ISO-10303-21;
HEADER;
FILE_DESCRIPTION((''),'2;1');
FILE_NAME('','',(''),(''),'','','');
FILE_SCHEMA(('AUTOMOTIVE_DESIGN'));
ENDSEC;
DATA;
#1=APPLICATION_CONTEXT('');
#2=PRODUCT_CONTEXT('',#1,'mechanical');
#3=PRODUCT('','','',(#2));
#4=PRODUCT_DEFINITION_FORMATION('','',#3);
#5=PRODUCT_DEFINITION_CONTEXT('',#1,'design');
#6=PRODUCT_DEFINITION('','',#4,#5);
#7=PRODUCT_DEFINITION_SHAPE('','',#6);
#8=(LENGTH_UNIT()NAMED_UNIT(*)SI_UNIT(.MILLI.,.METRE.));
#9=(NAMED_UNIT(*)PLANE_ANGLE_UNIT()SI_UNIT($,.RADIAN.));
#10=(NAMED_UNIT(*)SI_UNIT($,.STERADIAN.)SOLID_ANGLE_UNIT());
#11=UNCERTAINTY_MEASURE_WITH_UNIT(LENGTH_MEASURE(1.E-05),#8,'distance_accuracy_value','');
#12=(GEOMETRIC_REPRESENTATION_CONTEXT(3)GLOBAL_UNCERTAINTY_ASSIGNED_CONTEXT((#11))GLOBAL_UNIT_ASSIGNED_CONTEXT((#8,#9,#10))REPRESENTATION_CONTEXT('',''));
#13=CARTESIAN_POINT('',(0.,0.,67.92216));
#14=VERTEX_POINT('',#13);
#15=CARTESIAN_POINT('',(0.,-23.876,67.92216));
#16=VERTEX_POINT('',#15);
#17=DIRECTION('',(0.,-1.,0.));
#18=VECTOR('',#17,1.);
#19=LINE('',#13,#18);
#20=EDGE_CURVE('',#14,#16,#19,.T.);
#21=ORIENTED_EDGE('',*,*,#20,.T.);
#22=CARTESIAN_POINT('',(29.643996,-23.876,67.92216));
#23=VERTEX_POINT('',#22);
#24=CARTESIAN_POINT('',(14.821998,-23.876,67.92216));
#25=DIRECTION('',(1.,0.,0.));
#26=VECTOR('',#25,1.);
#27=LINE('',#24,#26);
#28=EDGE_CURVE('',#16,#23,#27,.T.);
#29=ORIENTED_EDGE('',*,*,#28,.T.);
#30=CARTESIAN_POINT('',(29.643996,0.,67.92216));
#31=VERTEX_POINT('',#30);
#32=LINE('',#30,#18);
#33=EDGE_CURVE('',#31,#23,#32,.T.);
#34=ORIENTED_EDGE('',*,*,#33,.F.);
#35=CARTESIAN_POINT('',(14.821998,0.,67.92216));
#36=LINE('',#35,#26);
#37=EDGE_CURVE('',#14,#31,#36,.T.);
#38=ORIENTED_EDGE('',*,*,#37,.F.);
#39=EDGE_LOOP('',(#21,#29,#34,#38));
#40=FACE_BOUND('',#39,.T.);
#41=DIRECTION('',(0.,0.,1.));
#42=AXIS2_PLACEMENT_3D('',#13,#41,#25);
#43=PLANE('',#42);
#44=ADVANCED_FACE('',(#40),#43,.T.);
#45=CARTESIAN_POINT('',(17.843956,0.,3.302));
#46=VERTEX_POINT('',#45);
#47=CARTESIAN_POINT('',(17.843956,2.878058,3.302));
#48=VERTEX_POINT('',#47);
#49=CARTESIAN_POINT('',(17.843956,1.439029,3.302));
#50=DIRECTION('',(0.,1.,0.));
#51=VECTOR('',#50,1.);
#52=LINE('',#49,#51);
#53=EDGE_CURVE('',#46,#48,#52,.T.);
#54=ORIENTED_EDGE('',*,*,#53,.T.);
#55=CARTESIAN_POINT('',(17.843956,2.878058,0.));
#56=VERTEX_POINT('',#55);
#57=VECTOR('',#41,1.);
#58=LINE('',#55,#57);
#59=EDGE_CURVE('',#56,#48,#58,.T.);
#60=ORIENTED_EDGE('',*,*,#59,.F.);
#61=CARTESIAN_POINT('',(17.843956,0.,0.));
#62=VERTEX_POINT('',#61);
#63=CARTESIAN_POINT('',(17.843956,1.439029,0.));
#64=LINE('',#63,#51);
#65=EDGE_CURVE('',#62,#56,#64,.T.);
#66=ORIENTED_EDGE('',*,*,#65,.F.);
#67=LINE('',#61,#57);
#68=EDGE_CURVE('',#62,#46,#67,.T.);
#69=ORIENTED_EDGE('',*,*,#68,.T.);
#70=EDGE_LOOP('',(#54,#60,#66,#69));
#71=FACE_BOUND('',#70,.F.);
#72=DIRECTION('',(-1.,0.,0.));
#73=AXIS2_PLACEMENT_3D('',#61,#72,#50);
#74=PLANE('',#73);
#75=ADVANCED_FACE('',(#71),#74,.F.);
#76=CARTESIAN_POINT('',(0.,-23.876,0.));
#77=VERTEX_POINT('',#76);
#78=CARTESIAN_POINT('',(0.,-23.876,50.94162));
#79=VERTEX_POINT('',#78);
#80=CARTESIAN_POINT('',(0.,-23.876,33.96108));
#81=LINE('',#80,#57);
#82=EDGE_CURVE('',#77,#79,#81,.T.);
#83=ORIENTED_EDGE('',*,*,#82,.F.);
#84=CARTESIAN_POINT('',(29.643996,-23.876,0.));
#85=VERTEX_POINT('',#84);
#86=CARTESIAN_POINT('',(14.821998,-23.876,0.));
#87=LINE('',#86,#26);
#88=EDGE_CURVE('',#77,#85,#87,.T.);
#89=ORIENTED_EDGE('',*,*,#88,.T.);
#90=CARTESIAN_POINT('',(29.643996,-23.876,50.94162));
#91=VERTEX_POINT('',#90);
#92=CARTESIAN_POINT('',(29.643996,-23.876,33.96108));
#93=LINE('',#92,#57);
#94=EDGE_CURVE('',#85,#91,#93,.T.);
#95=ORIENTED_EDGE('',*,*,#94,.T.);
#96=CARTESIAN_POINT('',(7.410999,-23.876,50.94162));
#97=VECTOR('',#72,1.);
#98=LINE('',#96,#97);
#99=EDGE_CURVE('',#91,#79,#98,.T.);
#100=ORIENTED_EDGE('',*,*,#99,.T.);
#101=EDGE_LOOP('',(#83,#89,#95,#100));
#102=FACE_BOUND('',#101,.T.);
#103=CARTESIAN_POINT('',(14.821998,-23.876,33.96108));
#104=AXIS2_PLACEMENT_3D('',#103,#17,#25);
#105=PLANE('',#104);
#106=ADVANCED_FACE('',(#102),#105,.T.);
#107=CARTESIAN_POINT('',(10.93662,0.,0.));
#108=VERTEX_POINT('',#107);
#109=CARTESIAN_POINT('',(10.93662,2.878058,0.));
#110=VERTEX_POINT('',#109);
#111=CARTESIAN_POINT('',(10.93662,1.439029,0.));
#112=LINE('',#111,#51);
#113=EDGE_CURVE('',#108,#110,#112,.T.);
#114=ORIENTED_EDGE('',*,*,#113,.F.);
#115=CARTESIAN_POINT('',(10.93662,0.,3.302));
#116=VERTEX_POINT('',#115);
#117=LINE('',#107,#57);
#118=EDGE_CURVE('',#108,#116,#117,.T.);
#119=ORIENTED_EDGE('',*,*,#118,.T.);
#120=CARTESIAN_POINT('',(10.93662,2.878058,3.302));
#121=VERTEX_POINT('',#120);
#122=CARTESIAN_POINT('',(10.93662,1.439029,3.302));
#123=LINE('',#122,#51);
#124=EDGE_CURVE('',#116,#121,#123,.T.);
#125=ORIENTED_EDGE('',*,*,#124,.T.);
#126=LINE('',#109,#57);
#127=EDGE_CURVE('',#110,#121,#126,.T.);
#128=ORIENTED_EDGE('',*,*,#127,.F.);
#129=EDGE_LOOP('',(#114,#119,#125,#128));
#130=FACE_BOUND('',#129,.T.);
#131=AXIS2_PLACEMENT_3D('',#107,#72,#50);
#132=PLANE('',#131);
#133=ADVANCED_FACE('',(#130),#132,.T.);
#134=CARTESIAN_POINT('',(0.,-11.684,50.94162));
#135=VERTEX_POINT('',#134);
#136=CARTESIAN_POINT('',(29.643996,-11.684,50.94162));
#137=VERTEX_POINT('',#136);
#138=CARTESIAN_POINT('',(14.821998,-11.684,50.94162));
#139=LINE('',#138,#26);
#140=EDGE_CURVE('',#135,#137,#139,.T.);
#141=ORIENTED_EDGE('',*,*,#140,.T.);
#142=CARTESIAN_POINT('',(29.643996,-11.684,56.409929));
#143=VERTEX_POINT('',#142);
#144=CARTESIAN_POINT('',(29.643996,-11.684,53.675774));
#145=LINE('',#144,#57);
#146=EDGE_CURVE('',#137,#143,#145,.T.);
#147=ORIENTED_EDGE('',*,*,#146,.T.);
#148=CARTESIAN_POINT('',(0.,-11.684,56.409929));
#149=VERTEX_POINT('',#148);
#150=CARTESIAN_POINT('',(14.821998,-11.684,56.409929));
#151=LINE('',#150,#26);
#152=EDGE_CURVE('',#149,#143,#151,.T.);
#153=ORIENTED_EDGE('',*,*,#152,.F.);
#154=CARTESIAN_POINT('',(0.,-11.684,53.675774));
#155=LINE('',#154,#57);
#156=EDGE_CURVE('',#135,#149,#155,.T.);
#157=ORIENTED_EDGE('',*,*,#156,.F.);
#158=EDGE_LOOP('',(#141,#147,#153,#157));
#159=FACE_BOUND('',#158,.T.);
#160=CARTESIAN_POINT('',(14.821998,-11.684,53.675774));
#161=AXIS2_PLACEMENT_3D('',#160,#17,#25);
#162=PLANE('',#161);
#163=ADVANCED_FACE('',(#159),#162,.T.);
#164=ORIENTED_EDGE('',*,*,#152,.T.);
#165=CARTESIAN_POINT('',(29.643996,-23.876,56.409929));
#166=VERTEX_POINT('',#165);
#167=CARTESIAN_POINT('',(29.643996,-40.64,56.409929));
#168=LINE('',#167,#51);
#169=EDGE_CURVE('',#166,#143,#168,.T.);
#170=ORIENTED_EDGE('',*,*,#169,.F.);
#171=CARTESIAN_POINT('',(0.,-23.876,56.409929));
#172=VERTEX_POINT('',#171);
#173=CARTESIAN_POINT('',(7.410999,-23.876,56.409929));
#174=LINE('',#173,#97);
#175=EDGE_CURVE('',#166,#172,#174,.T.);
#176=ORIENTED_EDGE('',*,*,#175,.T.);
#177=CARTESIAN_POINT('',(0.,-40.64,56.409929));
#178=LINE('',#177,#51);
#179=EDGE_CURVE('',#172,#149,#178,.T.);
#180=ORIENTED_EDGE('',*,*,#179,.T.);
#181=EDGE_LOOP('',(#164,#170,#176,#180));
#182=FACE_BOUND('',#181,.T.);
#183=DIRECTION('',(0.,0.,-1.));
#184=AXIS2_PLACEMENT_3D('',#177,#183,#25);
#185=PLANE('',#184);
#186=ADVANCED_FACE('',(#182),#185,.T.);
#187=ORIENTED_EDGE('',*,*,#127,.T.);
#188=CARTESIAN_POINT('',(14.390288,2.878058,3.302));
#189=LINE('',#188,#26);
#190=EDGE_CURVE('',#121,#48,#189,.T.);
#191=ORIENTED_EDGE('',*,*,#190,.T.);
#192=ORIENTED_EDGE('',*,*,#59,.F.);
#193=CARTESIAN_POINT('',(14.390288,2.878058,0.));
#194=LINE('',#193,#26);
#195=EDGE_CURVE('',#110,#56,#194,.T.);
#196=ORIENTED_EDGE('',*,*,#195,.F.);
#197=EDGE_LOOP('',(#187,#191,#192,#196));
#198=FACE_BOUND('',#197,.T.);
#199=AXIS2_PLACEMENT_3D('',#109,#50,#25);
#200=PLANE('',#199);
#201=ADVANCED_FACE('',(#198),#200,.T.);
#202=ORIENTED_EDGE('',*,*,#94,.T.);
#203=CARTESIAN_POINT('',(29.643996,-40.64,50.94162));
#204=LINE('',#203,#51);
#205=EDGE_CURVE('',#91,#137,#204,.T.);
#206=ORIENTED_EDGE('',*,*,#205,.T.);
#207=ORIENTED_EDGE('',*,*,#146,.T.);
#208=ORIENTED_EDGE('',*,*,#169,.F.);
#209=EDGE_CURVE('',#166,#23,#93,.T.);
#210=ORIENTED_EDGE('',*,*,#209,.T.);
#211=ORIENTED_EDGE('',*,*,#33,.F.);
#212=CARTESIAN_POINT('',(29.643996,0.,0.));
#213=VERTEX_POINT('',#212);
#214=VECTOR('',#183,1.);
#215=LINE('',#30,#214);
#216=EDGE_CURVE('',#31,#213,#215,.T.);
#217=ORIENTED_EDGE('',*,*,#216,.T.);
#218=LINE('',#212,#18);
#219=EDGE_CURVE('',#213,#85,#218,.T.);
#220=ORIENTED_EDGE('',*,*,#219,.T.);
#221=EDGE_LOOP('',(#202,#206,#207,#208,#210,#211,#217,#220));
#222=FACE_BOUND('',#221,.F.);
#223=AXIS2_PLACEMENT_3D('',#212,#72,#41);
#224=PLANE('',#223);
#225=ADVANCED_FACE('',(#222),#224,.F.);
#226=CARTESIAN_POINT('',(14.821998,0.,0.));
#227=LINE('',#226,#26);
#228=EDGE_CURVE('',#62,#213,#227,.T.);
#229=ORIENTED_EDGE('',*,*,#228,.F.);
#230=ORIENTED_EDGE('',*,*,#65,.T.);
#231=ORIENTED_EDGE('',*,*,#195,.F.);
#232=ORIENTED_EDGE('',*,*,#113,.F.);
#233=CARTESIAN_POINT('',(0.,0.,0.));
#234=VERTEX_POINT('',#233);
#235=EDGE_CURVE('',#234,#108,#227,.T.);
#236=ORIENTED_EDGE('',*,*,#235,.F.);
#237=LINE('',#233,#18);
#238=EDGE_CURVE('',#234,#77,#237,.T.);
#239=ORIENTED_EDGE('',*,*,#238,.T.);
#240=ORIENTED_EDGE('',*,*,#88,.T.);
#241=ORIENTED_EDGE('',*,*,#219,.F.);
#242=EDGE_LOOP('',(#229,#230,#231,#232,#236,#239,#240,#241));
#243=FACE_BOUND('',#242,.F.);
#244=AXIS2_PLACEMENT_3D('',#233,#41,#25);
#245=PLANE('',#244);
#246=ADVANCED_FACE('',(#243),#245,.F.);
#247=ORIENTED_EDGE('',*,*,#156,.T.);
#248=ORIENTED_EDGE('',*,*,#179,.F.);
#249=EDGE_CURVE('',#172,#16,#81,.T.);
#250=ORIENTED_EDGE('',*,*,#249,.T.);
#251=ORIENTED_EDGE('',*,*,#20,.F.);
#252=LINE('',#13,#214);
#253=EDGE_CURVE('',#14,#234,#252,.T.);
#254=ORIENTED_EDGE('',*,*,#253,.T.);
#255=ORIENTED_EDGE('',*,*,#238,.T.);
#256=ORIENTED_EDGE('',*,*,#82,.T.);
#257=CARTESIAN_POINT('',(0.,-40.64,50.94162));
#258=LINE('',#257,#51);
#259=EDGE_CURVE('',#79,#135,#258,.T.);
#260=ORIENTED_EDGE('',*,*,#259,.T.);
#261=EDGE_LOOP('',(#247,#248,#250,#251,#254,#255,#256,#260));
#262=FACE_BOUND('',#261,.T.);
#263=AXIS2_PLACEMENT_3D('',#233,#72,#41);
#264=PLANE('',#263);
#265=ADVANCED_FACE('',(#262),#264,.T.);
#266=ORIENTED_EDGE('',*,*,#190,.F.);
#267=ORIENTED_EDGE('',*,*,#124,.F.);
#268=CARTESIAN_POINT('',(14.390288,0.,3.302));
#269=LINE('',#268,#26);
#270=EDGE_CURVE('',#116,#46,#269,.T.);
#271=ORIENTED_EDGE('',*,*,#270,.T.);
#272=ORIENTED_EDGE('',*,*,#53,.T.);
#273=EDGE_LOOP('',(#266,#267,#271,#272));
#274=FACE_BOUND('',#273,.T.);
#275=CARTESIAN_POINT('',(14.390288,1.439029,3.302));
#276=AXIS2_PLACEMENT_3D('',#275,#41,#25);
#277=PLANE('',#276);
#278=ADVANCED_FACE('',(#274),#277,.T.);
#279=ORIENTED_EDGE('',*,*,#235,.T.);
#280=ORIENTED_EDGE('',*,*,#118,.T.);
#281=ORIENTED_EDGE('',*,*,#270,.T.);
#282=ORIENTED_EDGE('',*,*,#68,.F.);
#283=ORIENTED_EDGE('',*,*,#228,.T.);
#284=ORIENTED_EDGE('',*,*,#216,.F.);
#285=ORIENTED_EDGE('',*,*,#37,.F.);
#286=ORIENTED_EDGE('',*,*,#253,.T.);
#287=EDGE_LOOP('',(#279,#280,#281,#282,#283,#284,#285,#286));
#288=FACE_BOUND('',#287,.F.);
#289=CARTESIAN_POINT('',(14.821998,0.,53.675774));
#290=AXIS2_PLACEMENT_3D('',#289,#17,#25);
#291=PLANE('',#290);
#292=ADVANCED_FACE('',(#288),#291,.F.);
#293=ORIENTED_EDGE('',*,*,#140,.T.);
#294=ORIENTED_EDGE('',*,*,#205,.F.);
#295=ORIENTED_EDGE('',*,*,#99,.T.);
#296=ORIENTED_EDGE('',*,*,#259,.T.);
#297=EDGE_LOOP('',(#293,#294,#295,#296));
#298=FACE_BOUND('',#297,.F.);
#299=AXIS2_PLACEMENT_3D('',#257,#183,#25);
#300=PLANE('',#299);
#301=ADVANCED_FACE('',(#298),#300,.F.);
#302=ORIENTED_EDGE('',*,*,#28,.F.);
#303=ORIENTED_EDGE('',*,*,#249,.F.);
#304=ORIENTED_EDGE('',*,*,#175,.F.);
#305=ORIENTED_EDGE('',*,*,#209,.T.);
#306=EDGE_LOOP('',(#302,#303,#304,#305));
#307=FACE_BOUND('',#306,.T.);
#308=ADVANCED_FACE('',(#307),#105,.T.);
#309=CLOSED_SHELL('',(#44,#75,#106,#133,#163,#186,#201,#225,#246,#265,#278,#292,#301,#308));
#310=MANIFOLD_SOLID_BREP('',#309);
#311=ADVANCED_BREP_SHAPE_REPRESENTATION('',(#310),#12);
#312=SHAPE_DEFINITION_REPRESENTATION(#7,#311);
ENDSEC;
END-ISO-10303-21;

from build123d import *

# Parameters (mm, degrees)
F0_W     = 29.6439956874
F0_H     = 67.9221600294
F1_DEPTH = 23.876
F2_W     = 29.6439956874
F2_H     = 5.4683089256
F3_DEPTH = 40.64
F4_DEPTH = 28.956
F5_W     = 6.9073364139
F5_H     = 2.8780577704
F6_DEPTH = 3.302


with BuildPart() as f1:
    # F0 (on Front) → F1 (new body)
    with BuildSketch(Plane.XZ):
        with Locations((14.8219978437, 33.9610800147)):
            Rectangle(F0_W, F0_H)
    extrude(amount=F1_DEPTH)

    # F2 (on Front) → F3 (join)
    with BuildSketch(Plane.XZ):
        with Locations((14.8219978437, 53.6757744849)):
            Rectangle(F2_W, F2_H)
    extrude(amount=F3_DEPTH)

    # F4 (cut): a face of the model
    f4_faces = [f1.faces().sort_by_distance(p)[0] for p in [
        (14.8219978437, -40.64, 53.6757744849),
    ]]
    extrude(f4_faces, amount=-F4_DEPTH, mode=Mode.SUBTRACT)

    # F5 (on Top) → F6 (join)
    with BuildSketch(Plane.XY):
        with Locations((14.3902879208, 1.4390288852)):
            Rectangle(F5_W, F5_H)
    extrude(amount=F6_DEPTH)


solid = f1.part
